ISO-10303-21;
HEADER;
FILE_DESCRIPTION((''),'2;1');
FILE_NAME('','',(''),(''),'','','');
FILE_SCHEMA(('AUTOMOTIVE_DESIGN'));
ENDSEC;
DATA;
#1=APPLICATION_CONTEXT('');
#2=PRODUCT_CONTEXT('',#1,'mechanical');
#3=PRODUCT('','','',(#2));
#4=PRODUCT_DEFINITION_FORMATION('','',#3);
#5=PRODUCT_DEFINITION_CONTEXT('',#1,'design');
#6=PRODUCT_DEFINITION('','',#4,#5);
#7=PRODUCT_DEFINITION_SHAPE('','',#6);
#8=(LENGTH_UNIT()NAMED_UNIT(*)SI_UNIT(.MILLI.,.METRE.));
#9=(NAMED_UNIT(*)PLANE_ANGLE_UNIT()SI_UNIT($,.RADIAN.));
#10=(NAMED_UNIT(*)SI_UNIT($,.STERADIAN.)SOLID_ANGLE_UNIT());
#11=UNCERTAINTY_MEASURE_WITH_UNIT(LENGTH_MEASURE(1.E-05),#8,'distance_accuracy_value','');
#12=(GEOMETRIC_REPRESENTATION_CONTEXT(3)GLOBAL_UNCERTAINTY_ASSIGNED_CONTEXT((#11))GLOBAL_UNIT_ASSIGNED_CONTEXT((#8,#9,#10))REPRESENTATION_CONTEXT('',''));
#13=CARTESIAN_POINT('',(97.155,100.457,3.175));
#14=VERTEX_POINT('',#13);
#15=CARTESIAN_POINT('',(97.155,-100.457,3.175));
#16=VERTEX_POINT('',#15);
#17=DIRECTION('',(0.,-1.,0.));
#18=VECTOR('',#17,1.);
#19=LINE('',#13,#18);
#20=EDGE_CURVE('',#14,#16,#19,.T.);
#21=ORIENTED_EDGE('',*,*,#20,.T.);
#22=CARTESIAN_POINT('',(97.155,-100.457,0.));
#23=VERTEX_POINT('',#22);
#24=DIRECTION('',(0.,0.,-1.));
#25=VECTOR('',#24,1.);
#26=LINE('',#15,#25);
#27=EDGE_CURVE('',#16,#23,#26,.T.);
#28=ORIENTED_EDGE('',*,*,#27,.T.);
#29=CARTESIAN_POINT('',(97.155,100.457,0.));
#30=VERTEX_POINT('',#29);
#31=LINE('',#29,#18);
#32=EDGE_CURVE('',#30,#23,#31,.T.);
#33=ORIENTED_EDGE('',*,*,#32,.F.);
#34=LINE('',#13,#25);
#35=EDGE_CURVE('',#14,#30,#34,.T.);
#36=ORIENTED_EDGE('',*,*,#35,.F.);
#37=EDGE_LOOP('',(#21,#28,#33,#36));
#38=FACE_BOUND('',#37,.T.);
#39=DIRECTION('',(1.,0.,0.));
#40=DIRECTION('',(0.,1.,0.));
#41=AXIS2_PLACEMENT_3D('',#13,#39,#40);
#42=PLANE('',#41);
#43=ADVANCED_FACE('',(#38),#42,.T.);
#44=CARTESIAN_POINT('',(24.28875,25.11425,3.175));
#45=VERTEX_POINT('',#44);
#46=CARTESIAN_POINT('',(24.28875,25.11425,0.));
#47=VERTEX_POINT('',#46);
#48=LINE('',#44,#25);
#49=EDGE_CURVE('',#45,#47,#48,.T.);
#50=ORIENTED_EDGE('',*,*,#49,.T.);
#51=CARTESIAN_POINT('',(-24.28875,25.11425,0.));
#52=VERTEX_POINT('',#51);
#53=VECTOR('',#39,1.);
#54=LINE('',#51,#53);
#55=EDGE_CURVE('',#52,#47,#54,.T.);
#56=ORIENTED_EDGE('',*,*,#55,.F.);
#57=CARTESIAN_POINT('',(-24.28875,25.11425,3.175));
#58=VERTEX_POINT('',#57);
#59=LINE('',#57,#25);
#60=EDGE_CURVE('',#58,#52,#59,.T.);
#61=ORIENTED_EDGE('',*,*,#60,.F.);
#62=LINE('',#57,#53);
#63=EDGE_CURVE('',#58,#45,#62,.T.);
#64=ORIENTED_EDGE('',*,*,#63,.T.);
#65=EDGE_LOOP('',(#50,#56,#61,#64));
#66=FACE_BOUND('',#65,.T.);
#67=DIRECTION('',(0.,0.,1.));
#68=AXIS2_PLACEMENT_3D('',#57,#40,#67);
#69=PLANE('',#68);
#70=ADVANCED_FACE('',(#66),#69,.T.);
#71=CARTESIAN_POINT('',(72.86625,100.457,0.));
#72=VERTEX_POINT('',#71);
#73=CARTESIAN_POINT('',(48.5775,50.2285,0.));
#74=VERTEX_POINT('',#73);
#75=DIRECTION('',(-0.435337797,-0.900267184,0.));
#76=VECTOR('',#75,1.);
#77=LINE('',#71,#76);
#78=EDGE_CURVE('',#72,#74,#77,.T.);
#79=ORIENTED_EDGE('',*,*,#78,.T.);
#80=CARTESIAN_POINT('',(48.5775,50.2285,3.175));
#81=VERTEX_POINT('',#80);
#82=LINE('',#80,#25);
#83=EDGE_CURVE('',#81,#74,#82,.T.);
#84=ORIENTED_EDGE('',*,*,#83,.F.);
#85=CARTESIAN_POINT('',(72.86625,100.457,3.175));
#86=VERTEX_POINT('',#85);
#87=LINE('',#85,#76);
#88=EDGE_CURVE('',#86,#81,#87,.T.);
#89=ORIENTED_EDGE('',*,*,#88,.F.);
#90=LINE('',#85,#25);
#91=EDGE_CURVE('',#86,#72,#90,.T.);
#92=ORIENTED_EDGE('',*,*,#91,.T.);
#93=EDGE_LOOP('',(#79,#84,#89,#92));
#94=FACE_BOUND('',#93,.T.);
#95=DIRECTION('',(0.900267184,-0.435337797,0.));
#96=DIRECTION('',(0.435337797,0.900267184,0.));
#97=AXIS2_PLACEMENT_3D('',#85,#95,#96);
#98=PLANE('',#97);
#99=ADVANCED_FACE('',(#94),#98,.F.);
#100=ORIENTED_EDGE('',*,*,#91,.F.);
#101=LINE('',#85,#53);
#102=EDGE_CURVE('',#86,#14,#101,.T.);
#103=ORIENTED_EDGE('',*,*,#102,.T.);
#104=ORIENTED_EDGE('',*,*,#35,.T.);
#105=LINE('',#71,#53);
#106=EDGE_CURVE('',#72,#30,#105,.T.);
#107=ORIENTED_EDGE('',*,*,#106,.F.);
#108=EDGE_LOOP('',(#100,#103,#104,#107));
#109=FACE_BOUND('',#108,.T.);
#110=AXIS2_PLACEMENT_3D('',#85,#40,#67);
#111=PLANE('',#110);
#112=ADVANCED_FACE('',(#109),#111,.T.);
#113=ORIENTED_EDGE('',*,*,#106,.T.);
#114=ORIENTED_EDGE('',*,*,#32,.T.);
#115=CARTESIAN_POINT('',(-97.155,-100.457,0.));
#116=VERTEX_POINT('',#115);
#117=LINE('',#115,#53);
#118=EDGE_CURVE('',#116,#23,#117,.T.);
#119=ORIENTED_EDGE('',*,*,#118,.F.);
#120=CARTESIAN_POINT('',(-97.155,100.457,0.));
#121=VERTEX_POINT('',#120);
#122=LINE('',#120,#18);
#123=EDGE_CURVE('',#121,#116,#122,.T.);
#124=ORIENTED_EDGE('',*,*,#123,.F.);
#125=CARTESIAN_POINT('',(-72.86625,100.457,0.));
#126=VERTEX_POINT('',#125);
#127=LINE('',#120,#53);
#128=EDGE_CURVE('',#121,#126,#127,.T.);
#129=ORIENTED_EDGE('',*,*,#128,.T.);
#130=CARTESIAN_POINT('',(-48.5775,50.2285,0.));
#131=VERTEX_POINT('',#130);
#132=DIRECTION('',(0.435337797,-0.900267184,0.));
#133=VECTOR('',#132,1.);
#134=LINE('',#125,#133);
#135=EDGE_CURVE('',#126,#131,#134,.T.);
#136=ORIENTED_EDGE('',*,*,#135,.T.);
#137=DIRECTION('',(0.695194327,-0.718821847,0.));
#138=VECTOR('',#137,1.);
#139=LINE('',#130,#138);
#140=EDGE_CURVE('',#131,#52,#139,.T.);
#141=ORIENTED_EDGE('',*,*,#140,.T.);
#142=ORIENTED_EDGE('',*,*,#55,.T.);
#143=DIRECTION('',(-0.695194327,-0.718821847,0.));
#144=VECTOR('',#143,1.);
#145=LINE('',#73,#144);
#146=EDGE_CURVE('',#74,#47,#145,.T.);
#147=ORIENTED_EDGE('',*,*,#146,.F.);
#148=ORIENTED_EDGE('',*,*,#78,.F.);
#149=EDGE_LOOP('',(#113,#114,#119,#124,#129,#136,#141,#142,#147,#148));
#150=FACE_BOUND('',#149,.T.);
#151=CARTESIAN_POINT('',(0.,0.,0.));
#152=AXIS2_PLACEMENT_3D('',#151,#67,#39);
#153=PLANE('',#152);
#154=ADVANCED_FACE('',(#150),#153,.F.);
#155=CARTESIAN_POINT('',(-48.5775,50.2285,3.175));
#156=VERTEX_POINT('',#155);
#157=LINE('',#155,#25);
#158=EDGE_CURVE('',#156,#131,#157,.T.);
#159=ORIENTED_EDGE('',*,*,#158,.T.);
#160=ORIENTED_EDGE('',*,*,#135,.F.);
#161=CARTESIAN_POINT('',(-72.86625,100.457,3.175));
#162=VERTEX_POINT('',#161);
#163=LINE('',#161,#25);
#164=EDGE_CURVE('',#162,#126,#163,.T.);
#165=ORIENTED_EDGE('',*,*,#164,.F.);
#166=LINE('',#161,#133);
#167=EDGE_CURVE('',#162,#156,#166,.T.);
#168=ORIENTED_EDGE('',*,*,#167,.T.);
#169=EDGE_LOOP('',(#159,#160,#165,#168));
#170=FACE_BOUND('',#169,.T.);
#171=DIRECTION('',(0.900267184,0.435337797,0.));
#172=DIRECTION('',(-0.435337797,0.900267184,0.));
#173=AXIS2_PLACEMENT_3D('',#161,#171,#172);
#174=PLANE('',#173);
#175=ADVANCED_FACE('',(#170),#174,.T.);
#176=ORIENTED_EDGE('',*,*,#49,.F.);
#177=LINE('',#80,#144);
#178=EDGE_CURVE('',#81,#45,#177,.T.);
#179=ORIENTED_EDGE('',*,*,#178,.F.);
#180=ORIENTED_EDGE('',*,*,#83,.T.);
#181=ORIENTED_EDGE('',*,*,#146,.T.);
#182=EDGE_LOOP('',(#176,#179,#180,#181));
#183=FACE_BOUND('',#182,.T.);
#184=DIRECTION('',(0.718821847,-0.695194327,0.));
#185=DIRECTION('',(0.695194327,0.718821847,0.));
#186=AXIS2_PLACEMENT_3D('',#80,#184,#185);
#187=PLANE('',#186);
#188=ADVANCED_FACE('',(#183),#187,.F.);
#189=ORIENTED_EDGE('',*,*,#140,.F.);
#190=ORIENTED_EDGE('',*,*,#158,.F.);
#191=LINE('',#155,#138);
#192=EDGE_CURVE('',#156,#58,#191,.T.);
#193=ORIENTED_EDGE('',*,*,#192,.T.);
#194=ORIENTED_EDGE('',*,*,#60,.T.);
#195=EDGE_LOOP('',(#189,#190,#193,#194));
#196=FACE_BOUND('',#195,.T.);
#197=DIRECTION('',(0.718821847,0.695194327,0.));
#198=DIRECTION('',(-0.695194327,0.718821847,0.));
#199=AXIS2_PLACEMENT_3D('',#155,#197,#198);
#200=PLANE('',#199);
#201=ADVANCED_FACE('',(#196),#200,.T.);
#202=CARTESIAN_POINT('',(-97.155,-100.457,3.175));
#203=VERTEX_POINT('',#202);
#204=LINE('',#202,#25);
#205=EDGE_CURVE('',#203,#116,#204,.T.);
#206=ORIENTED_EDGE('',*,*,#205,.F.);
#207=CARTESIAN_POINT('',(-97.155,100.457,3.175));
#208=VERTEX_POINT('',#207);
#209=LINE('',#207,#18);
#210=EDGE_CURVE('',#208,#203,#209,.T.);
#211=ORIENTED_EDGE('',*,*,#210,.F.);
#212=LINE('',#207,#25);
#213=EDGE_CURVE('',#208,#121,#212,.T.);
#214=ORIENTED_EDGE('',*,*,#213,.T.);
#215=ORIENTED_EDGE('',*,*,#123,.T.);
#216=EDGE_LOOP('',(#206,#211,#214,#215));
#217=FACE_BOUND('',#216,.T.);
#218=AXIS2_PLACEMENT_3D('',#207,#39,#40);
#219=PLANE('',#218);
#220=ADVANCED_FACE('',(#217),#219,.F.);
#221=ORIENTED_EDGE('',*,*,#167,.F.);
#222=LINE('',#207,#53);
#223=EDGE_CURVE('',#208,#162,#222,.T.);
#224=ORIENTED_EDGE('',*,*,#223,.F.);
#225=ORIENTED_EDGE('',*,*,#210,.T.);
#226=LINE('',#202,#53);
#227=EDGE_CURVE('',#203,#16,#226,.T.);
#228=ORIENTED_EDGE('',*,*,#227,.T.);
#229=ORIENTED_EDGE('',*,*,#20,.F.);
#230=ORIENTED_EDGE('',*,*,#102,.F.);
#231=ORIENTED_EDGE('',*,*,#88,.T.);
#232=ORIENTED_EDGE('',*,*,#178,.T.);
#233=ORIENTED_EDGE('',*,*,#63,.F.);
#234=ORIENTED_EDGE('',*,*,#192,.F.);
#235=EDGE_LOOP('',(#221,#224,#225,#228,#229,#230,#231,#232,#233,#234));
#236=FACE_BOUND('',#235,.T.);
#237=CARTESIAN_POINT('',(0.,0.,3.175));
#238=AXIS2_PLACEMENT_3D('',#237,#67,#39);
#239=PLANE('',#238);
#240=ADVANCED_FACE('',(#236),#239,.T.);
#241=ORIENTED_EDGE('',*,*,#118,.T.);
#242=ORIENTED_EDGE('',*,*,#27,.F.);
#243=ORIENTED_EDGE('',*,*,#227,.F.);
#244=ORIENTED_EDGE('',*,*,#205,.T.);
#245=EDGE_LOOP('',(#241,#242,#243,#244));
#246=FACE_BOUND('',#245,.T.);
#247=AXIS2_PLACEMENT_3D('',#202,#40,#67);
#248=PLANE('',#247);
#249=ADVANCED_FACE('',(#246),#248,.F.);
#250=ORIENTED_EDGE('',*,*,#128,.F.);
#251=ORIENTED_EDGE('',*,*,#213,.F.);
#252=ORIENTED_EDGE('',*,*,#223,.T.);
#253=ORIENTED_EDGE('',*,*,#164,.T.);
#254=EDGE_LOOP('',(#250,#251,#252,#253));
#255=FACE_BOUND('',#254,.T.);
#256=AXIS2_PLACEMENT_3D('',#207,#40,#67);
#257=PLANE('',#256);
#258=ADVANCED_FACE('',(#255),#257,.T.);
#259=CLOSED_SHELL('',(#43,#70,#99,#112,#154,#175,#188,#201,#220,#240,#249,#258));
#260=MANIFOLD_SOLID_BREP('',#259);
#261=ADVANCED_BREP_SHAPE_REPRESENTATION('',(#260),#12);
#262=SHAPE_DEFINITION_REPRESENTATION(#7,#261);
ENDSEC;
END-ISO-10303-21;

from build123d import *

# Parameters (mm, degrees)
BOSS_EXTRUDE1_DEPTH = 3.175


with BuildPart() as part:
    # Sketch1 → Boss-Extrude1 (new body)
    with BuildSketch(Plane.XY):
        Polygon((-97.155, 100.457), (-72.86625, 100.457), (-48.5775, 50.2285), (-24.28875, 25.11425), (24.28875, 25.11425), (48.5775, 50.2285), (72.86625, 100.457), (97.155, 100.457), (97.155, -100.457), (-97.155, -100.457), align=None)
    extrude(amount=BOSS_EXTRUDE1_DEPTH)


solid = part.part
